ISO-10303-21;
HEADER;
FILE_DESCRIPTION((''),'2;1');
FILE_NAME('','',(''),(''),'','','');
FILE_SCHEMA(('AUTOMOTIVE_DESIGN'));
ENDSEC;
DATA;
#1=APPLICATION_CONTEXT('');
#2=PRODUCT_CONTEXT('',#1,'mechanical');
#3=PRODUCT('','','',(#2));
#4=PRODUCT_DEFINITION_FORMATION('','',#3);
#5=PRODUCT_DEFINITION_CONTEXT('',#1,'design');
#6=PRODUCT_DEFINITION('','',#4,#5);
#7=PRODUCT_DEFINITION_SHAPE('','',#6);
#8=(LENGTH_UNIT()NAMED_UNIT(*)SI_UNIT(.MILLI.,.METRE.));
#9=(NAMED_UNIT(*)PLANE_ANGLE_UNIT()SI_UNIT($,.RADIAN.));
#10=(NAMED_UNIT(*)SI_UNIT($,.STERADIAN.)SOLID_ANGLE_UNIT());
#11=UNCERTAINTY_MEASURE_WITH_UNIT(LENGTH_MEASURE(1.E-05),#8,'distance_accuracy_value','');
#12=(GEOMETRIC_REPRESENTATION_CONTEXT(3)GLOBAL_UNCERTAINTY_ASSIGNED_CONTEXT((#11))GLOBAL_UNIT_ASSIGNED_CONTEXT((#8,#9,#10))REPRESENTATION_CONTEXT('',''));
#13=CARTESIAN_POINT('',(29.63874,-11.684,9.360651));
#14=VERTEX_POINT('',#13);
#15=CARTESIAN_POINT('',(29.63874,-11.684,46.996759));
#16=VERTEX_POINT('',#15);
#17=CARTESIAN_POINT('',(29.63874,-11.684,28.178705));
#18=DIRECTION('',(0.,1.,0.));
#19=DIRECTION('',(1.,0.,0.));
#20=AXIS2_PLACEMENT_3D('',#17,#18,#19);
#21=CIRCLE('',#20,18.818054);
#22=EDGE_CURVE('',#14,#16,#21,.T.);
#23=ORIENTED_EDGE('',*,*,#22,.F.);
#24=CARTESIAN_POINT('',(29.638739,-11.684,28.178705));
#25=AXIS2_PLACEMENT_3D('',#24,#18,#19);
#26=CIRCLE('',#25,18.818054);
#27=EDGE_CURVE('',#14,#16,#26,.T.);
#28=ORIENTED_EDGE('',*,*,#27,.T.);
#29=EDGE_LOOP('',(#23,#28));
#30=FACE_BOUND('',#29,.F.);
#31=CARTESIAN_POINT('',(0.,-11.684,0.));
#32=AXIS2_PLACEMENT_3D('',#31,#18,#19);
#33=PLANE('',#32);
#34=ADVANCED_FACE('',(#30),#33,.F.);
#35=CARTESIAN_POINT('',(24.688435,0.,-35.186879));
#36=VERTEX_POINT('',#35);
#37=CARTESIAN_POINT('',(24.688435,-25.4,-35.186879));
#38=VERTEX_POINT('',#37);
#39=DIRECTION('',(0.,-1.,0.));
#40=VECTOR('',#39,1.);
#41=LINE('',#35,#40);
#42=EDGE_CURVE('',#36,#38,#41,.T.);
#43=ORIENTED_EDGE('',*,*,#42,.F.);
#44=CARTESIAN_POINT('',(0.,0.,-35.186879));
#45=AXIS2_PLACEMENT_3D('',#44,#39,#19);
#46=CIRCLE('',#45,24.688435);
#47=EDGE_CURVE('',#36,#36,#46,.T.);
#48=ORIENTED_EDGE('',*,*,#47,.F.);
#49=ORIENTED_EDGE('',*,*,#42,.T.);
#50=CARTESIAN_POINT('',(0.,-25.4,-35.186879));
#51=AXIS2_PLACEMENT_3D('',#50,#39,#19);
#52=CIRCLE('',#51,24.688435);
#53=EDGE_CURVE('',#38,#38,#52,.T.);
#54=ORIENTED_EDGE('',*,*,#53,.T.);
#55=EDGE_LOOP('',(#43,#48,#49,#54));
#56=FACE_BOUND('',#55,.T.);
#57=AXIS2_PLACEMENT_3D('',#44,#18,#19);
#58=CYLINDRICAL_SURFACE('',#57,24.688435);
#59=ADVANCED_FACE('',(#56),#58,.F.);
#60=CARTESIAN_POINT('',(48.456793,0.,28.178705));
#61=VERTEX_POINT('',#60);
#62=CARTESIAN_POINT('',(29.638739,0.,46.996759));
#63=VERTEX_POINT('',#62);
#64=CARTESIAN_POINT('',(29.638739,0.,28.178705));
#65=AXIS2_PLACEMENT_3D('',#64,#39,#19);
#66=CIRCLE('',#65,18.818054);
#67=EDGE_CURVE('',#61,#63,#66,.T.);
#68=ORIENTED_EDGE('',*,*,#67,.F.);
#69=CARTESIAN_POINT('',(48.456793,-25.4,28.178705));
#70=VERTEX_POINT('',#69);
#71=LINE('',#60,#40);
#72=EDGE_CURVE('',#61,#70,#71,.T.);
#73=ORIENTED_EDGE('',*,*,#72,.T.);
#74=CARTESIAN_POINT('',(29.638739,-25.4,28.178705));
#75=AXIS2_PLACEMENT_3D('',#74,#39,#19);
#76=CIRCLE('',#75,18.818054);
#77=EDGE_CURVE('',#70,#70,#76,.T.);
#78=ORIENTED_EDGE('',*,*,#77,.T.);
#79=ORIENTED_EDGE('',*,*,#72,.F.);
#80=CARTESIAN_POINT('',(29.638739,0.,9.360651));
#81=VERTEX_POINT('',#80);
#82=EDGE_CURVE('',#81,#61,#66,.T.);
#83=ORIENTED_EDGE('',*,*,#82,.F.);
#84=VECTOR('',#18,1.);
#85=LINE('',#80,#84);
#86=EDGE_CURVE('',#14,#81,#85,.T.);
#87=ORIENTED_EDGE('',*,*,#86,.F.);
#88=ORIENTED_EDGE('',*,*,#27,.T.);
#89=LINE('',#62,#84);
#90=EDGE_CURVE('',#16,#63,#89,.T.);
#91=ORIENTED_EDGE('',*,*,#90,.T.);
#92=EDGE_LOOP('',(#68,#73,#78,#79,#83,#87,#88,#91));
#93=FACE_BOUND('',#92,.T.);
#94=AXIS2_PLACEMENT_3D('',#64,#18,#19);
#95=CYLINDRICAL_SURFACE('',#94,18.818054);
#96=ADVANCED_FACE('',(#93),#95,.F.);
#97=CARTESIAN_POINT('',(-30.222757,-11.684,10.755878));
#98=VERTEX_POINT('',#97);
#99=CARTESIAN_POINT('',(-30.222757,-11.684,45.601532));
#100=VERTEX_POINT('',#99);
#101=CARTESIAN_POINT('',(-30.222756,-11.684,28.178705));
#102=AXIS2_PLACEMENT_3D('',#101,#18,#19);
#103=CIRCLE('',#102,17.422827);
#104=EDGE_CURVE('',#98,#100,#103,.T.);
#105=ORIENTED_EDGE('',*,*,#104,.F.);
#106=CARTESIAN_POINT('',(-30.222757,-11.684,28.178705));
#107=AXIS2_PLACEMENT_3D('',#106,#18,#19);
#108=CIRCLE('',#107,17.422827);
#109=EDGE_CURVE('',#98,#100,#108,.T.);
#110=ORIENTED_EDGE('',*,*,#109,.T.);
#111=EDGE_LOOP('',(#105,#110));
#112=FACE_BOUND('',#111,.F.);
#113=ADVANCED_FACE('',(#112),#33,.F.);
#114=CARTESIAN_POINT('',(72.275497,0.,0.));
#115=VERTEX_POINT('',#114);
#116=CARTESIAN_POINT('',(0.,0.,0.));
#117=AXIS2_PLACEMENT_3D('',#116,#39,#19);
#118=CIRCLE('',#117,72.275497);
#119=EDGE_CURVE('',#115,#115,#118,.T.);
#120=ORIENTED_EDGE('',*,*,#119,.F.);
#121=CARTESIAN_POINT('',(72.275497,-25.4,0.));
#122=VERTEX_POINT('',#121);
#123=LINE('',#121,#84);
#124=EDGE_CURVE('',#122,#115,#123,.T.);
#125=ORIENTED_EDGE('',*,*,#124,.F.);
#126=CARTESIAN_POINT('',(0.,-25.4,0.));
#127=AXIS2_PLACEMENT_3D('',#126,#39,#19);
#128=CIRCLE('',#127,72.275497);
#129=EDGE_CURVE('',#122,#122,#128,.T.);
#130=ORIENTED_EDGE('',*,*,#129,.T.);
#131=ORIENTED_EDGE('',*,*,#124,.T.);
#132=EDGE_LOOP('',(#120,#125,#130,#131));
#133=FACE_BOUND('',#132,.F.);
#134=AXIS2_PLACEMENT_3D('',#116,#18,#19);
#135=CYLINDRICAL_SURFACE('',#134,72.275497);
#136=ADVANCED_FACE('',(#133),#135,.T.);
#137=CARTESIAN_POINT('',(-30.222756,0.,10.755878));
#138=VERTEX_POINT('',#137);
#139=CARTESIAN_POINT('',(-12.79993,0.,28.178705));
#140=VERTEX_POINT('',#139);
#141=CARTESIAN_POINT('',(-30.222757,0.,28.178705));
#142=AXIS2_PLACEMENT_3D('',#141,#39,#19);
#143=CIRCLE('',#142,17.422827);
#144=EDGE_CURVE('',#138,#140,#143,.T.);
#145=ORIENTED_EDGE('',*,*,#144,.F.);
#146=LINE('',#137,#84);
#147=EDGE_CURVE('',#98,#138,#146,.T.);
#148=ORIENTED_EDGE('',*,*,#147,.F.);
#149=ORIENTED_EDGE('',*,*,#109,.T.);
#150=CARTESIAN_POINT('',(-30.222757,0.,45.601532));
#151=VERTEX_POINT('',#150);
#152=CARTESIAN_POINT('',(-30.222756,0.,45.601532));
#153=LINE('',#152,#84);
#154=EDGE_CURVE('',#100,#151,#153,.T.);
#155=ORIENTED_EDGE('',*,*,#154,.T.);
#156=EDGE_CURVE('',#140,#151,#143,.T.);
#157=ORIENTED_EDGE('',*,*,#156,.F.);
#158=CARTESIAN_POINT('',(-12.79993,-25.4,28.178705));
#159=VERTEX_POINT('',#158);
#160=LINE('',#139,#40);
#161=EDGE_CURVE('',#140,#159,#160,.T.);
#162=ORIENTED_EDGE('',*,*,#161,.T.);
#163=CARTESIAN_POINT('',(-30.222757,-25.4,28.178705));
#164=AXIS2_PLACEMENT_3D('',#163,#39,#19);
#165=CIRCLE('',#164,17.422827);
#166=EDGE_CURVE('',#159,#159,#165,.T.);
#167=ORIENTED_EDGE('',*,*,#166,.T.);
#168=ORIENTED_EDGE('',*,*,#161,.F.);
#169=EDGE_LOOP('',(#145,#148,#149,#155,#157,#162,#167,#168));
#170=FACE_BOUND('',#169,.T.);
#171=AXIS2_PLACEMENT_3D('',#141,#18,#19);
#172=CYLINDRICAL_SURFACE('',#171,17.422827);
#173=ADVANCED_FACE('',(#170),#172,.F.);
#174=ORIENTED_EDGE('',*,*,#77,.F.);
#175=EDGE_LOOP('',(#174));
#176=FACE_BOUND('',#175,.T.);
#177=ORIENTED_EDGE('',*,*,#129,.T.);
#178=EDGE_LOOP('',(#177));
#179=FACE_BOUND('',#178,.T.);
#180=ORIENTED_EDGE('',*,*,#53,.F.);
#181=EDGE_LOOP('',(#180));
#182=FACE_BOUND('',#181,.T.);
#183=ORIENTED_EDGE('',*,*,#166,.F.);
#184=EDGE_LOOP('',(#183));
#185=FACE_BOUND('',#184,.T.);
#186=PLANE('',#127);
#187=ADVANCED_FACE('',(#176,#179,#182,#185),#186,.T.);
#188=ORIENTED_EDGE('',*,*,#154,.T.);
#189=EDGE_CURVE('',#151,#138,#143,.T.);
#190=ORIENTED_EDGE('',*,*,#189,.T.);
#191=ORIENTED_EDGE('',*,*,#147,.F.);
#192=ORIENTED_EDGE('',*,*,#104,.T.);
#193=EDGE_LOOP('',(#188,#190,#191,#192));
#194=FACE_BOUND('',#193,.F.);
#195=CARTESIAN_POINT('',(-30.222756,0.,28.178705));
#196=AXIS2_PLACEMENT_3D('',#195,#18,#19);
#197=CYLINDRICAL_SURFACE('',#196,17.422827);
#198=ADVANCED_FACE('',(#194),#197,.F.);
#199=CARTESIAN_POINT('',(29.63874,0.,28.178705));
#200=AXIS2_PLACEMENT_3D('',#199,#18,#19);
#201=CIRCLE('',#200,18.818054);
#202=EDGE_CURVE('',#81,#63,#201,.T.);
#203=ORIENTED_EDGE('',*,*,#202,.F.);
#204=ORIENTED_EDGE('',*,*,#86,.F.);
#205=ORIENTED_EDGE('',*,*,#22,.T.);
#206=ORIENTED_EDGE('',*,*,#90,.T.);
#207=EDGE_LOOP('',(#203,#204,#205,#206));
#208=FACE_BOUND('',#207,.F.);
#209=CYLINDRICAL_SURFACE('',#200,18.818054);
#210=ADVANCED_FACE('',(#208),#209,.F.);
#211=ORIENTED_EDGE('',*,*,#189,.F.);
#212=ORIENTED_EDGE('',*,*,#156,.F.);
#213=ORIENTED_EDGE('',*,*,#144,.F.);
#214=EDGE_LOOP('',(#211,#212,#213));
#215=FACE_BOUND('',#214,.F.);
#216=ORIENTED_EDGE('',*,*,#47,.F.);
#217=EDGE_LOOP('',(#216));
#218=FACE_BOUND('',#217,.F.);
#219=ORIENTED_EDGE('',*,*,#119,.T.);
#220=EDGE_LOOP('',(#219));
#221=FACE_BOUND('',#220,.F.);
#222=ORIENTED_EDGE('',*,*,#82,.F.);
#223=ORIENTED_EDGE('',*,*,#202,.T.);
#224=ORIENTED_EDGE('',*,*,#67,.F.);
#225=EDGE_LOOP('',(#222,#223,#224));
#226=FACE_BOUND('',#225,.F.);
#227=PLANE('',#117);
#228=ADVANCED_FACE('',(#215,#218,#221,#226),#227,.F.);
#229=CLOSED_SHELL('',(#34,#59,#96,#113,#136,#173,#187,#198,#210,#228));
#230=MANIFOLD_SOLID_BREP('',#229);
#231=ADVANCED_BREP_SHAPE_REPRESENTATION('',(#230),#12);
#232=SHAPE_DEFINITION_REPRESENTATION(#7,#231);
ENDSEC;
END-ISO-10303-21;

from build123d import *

# Parameters (mm, degrees)
F0_R        = 72.275497
F0_R_2      = 24.688435
F0_R_3      = 17.422827
F0_R_4      = 18.818054
F1_DEPTH    = 25.4
F1_FACE_R   = 72.275497
F1_FACE_R_2 = 24.688435
F1_FACE_R_3 = 17.422827
F1_FACE_R_4 = 18.818054
F2_DEPTH    = 11.684


with BuildPart() as f1:
    # F0 (on Front) → F1 (new body)
    with BuildSketch(Plane.XZ):
        Circle(F0_R)
        with Locations((0, -35.186879)):
            Circle(F0_R_2, mode=Mode.SUBTRACT)
        with Locations((-30.222757, 28.178705)):
            Circle(F0_R_3, mode=Mode.SUBTRACT)
        with Locations((29.638739, 28.178705)):
            Circle(F0_R_4, mode=Mode.SUBTRACT)
    extrude(amount=F1_DEPTH)

    # F1_face (on face) → F2 (join)
    with BuildSketch(Plane(origin=(-0.333972, 0, 0.736667), x_dir=(1, 0, 0), z_dir=(0, 1, 0))):
        with Locations((0.333972, 0.736667)):
            Circle(F1_FACE_R)
        with Locations((0.333972, 35.923546)):
            Circle(F1_FACE_R_2, mode=Mode.SUBTRACT)
        with Locations((-29.888784, -27.442038)):
            Circle(F1_FACE_R_3, mode=Mode.SUBTRACT)
        with Locations((29.972712, -27.442038)):
            Circle(F1_FACE_R_4, mode=Mode.SUBTRACT)
    extrude(amount=-F2_DEPTH)


solid = f1.part
